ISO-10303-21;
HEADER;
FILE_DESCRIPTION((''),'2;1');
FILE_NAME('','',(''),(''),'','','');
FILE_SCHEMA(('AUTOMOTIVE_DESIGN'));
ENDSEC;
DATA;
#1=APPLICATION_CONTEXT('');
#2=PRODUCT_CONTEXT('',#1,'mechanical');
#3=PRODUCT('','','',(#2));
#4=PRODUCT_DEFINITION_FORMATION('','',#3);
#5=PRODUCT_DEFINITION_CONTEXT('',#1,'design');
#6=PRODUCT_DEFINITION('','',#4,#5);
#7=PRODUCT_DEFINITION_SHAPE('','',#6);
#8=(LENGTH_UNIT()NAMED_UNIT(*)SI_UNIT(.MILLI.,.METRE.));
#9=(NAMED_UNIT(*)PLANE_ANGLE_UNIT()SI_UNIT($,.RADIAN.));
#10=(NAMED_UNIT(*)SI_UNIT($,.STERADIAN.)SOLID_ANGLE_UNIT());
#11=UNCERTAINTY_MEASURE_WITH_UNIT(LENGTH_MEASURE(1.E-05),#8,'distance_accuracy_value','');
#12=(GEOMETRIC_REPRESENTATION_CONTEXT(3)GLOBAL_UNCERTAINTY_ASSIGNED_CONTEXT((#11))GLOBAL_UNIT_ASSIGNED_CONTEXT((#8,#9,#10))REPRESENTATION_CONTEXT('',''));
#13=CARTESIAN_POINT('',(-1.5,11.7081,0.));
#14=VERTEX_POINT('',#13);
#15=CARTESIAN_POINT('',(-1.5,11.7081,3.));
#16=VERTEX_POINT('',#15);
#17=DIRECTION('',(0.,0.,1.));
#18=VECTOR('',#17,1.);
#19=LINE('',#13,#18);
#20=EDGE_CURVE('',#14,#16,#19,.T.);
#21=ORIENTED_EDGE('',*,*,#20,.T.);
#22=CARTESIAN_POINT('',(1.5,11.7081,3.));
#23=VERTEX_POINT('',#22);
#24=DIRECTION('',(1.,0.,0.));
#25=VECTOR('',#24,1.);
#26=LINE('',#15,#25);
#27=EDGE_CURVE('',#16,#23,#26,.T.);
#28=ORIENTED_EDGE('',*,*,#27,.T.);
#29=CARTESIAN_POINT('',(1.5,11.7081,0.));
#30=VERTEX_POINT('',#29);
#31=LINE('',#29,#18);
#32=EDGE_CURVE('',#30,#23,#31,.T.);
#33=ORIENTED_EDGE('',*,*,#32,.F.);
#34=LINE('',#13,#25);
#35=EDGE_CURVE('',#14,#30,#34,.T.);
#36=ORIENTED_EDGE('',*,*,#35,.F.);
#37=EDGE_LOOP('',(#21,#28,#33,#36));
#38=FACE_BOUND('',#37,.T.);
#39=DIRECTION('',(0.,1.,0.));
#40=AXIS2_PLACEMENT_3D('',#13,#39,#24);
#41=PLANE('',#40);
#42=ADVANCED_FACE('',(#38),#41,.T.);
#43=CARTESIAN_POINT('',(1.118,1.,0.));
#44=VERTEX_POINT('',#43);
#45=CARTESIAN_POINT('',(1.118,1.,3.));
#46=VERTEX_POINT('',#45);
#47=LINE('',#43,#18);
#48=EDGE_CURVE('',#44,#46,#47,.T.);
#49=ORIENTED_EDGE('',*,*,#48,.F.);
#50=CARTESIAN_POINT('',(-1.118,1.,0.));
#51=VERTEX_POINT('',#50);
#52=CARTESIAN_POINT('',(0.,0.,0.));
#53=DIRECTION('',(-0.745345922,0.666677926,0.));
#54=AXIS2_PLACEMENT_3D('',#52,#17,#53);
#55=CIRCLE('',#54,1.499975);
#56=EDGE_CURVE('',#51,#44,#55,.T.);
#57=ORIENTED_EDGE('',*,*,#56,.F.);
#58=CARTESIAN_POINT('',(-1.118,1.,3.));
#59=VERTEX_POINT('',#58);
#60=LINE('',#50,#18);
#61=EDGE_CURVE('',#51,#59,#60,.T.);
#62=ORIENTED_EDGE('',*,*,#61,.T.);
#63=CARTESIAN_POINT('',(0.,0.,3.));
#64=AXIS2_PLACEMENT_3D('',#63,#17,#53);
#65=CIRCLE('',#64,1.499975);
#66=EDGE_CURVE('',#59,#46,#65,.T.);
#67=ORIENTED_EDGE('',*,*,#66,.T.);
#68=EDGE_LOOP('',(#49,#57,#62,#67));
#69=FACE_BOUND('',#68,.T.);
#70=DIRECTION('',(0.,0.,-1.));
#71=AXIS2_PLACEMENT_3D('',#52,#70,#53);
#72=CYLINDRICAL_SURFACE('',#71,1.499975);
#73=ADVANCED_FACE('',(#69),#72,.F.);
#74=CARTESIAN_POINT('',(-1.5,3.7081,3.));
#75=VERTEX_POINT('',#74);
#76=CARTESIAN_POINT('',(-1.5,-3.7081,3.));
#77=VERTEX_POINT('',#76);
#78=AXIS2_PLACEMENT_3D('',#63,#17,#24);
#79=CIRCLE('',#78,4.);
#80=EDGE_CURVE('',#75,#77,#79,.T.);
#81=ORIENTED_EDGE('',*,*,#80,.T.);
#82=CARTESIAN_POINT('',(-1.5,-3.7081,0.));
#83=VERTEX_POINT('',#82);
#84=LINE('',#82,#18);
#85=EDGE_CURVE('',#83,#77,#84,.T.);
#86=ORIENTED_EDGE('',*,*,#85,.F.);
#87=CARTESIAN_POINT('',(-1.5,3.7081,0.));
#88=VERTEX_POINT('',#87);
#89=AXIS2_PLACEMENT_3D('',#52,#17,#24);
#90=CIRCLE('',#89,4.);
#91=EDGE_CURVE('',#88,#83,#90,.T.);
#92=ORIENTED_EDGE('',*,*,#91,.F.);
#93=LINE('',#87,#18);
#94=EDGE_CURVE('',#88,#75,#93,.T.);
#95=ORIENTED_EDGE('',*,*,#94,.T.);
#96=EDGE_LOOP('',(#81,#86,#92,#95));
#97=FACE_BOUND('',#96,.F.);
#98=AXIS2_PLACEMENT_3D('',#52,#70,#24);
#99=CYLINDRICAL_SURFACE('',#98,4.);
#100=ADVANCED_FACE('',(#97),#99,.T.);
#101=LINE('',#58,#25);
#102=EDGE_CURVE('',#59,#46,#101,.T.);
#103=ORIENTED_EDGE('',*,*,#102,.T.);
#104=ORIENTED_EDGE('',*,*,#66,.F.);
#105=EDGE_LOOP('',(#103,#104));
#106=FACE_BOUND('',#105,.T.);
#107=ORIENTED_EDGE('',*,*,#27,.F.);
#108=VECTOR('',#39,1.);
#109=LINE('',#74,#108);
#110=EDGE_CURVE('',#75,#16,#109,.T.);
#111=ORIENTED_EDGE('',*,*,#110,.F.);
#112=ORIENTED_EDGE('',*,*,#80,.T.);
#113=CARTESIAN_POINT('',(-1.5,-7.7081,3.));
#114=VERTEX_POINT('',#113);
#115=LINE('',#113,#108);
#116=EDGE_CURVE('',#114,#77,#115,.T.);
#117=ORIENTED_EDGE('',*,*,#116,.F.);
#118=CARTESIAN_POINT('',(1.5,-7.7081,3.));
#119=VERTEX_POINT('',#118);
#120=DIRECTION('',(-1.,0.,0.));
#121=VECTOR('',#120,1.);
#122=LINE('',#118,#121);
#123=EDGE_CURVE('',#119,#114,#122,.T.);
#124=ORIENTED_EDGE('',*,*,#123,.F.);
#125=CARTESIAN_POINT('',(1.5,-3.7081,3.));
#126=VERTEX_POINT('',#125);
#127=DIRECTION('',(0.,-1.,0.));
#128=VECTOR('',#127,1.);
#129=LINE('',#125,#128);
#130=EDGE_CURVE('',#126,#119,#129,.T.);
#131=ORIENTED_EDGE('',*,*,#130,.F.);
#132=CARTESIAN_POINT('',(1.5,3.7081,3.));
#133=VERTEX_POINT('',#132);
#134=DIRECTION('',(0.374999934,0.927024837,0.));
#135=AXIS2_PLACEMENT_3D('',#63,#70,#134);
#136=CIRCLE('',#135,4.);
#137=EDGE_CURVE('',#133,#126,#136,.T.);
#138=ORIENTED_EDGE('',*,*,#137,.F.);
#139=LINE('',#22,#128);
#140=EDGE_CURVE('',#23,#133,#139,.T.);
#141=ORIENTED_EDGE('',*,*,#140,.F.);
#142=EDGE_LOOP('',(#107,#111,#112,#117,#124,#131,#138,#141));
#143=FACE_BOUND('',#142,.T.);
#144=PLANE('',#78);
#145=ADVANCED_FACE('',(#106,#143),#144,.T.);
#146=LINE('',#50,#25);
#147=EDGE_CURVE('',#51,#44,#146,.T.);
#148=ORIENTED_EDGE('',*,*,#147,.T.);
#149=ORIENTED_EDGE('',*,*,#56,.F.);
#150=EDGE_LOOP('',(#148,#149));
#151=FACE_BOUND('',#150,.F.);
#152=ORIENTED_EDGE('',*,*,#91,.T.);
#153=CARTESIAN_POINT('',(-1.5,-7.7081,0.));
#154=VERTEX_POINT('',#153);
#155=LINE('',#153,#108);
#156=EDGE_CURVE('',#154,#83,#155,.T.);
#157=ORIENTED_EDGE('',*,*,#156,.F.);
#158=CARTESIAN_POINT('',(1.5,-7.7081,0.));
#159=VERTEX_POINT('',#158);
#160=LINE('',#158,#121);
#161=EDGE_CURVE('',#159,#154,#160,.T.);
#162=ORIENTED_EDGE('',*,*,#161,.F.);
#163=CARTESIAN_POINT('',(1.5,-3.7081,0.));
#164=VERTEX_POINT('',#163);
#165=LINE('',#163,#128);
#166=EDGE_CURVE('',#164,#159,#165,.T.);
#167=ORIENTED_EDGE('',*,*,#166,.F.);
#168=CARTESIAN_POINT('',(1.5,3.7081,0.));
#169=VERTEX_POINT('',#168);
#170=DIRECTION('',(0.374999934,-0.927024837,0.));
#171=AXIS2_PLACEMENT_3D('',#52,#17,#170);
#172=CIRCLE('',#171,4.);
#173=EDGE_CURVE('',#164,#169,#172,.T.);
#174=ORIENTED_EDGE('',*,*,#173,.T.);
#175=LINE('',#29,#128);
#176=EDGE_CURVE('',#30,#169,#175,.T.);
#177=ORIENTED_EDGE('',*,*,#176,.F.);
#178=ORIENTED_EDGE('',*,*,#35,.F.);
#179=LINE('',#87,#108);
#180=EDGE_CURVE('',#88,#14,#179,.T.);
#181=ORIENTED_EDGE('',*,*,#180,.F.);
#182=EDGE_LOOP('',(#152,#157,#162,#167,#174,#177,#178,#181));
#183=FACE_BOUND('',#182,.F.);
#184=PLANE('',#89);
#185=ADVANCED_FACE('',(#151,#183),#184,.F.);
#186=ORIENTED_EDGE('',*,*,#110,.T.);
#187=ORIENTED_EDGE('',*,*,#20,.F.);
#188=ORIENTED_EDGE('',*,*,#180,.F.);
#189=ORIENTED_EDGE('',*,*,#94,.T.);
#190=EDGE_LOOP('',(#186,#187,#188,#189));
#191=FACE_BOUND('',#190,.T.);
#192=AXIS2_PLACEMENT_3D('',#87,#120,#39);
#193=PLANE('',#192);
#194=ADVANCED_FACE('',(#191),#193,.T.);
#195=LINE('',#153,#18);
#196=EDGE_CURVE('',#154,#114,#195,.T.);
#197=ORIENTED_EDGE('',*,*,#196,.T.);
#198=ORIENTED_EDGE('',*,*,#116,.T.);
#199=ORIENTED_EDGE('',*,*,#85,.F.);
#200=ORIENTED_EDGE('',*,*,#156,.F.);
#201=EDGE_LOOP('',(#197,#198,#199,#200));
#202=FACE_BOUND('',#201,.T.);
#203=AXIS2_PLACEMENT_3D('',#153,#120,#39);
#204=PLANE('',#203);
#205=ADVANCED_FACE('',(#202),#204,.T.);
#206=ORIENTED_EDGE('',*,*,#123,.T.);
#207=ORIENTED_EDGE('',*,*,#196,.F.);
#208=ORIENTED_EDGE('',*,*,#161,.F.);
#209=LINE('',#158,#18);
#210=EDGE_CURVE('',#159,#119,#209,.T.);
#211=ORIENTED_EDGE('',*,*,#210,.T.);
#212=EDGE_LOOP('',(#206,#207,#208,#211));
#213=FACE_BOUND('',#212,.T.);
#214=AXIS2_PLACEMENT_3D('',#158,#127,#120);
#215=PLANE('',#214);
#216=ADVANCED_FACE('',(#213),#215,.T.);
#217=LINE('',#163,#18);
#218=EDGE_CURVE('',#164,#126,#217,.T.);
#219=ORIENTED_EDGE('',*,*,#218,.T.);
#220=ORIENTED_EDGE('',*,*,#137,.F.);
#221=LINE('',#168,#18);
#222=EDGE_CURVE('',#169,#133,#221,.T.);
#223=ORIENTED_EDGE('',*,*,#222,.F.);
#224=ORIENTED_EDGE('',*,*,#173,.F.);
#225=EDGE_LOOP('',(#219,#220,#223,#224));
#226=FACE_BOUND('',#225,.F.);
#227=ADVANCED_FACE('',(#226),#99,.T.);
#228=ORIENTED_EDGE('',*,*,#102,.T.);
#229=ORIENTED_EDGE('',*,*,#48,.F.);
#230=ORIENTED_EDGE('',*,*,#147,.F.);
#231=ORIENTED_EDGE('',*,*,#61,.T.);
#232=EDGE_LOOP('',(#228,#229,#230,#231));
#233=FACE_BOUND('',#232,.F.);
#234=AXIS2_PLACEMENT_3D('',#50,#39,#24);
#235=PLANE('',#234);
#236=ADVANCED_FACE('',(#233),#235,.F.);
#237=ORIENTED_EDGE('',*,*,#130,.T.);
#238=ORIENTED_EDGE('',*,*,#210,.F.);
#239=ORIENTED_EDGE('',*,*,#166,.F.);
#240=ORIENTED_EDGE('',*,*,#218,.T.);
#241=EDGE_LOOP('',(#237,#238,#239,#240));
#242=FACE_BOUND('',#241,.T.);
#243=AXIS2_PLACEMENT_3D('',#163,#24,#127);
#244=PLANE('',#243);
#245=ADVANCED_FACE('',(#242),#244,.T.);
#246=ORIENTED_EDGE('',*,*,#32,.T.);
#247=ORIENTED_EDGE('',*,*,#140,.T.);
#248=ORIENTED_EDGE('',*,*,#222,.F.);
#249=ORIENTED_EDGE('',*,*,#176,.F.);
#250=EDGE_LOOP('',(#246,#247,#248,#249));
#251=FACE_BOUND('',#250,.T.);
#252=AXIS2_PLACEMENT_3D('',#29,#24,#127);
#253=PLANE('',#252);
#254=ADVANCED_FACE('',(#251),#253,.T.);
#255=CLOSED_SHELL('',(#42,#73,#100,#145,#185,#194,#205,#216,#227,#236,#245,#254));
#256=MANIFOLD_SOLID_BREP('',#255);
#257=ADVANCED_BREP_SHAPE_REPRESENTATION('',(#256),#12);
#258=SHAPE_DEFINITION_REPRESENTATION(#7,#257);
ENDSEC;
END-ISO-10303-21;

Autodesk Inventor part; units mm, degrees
ref_plane "YZ Plane" through (0, 0, 0) normal (1, 0, 0) x (0, 1, 0)
ref_plane "XZ Plane" through (0, 0, 0) normal (0, 1, 0) x (-1, 0, 0)
ref_plane "XY Plane" through (0, 0, 0) normal (0, 0, 1) x (1, 0, 0)
sketch "草圖1" plane through (0, 0, 0) normal (0, 0, 1) x (1, 0, 0)
  circle A0 centre (0, 0) radius 4
  arc A1 (-1.118, 1) -> (1.118, 1) centre (0, 0) ccw
  line L0 (-1.118, 1) -> (1.118, 1)
  line L1 (-1.5, 11.7081) -> (1.5, 11.7081)
  line L2 (1.5, 11.7081) -> (1.5, 3.7081)
  line L3 (1.5, 3.7081) -> (-1.5, 3.7081)
  line L4 (-1.5, 3.7081) -> (-1.5, 11.7081)
  line L5 (-1.5, -3.7081) -> (1.5, -3.7081)
  line L6 (1.5, -3.7081) -> (1.5, -7.7081)
  line L7 (1.5, -7.7081) -> (-1.5, -7.7081)
  line L8 (-1.5, -7.7081) -> (-1.5, -3.7081)
  point P0 (1.5, -3.7081)
  dimension "d0" = 8
  dimension "d1" = 3
  dimension "d2" = 8
  dimension "d3" = 4
extrude "擠出1" add sketch "草圖1" along normal blind 3
sketch "草圖2" plane through (0, 0, 0) normal (0, 0, -1) x (-1, 0, 0)
  point P0 (0, 0)
sketch "草圖3" plane through (0, 0, 0) normal (0, 0, -1) x (-1, 0, 0)
  line L0 (1.5, 11.7081) -> (1.5, 3.7081) projected
  line L1 (-1.5, 11.7081) -> (1.5, 11.7081) projected
  line L2 (-1.5, 3.7081) -> (-1.5, 11.7081) projected
  arc A0 (-1.5, 3.7081) -> (-1.5, -3.7081) centre (0, 0) ccw projected
  line L3 (-1.5, -7.7081) -> (-1.5, -3.7081) projected
  line L4 (1.5, -7.7081) -> (-1.5, -7.7081) projected
  line L5 (1.5, -3.7081) -> (1.5, -7.7081) projected
  arc A1 (1.5, -3.7081) -> (1.5, 3.7081) centre (0, 0) ccw projected
  line L6 (1.118, 1) -> (-1.118, 1) projected
  arc A2 (-1.118, 1) -> (1.118, 1) centre (0, 0) ccw projected
properties part number "motorbase_4"
